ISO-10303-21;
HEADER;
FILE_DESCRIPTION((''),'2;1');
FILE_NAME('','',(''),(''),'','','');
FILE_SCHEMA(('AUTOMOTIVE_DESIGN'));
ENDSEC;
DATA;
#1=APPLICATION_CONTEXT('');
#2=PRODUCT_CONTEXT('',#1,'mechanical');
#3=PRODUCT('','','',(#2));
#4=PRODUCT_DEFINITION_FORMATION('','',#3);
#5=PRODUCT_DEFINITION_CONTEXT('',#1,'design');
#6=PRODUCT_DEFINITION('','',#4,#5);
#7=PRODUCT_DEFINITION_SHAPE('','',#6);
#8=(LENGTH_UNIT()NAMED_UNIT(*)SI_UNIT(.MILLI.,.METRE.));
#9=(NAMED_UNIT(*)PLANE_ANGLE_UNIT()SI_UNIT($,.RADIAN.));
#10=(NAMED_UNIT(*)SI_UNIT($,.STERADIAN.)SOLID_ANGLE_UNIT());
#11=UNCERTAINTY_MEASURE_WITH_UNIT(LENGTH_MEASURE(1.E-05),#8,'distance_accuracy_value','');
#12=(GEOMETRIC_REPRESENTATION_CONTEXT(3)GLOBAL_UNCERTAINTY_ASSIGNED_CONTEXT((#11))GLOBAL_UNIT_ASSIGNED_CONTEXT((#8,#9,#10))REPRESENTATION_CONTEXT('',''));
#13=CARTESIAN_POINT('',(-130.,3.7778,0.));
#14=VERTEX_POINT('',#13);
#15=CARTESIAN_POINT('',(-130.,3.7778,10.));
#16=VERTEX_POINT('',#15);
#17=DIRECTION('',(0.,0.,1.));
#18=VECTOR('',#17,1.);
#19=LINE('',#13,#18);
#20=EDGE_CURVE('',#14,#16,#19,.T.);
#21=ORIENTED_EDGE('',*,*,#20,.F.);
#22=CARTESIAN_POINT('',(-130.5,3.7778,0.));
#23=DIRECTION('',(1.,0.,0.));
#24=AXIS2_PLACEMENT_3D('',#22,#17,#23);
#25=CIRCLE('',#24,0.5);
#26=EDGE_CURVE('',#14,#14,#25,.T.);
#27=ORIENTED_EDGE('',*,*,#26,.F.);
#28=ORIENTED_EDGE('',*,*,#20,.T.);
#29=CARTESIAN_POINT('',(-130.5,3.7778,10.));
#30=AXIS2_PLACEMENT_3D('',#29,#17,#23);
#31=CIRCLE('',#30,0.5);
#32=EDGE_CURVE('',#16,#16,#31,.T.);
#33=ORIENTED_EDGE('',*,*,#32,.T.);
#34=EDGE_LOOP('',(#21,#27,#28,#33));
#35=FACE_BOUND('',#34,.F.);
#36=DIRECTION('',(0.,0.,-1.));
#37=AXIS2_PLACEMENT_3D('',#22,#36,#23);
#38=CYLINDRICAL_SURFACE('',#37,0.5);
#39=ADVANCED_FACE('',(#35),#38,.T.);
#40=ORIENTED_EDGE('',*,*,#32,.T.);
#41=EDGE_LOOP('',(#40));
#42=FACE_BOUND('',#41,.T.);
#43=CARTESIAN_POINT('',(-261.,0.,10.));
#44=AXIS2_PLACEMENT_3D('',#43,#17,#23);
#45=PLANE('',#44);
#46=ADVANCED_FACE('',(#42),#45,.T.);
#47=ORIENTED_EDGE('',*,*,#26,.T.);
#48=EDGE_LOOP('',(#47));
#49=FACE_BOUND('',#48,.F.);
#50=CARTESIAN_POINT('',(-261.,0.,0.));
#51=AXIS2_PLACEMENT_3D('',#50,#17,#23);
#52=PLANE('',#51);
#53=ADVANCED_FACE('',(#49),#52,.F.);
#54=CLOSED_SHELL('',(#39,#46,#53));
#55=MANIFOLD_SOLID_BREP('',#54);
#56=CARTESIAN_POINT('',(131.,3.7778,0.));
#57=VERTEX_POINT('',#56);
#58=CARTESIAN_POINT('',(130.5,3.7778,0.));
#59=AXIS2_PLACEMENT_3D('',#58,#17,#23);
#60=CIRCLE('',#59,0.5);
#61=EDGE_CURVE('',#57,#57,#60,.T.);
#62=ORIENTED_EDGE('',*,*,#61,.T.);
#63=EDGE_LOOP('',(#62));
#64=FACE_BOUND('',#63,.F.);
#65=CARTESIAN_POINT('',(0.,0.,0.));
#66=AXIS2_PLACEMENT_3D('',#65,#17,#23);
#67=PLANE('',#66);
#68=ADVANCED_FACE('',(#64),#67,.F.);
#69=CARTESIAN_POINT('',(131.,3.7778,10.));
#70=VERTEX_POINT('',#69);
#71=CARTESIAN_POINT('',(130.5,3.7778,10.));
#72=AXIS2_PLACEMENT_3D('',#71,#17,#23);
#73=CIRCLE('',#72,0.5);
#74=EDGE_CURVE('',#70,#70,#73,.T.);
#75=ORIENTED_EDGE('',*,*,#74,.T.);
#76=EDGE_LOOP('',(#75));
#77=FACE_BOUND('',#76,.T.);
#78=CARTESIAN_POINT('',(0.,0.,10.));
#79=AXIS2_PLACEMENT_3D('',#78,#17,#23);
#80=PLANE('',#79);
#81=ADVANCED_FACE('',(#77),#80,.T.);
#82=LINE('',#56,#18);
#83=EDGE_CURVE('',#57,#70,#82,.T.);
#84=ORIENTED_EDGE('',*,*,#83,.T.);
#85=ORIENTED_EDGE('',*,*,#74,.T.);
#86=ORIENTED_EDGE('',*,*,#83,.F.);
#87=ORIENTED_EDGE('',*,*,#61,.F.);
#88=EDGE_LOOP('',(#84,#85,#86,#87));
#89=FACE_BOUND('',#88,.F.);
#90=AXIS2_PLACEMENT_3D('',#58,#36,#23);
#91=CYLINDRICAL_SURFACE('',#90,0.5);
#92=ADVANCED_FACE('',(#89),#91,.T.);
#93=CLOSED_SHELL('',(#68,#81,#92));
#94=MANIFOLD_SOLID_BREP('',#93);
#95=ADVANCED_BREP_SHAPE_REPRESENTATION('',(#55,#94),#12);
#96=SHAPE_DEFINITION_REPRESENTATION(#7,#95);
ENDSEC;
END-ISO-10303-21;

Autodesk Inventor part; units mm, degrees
ref_plane "YZ Plane" through (0, 0, 0) normal (1, 0, 0) x (0, 1, 0)
ref_plane "XZ Plane" through (0, 0, 0) normal (0, 1, 0) x (-1, 0, 0)
ref_plane "XY Plane" through (0, 0, 0) normal (0, 0, 1) x (1, 0, 0)
sketch "Sketch1" plane through (0, 0, 0) normal (0, 0, 1) x (1, 0, 0)
  line L0 (-190.5, -10.9695) -> (190.5, -10.9695)
  line L1 (190.5, -10.9695) -> (190.5, 10.9695)
  line L2 (190.5, 10.9695) -> (-190.5, 10.9695)
  line L3 (-190.5, 10.9695) -> (-190.5, -10.9695)
  line L4 (-190.5, -10.9695) -> (190.5, 10.9695) construction
  line L5 (190.5, -10.9695) -> (-190.5, 10.9695) construction
  point P0 (0, 0)
  dimension "d0" = 381
  dimension "d1" = 21.939
sketch "Lamello" plane through (0, 0, 0) normal (0, 0, 1) x (1, 0, 0)
  line L0 (48.383, 141.1858) -> (42.783, 141.1858)
  line L1 (40.583, 139.6858) -> (40.583, 114.6858)
  line L2 (42.783, 113.1858) -> (48.383, 113.1858)
  line L3 (50.583, 114.6858) -> (50.583, 139.6858)
  line L4 (50.583, 139.6858) -> (48.383, 141.1858)
  line L5 (40.583, 139.6858) -> (42.783, 141.1858)
  line L6 (40.583, 114.6858) -> (42.783, 113.1858)
  line L7 (50.583, 114.6858) -> (48.383, 113.1858)
  line L8 (50.583, 127.1858) -> (40.583, 127.1858)
  line L9 (45.583, 141.1858) -> (45.583, 113.1858)
  point P0 (45.583, 127.1858)
  point P1 (50.583, 141.1858)
  point P2 (40.583, 113.1858)
  point P3 (40.583, 141.1858)
  point P4 (50.583, 113.1858)
  dimension "d54" = 10
  dimension "d55" = 28
  dimension "d56" = 1.5
  dimension "d57" = 2.2
  dimension "d58" = 1.5
  dimension "d59" = 2.2
  dimension "d60" = 1.5
  dimension "d61" = 2.2
  dimension "d62" = 1.5
  dimension "d63" = 2.2
sketch "Sketch2" plane through (0, 0, 0) normal (0, 0, 1) x (1, 0, 0)
  circle A0 centre (130.5, 3.7778) radius 0.5
  line L0 (190.5, 10.9695) -> (-190.5, 10.9695) projected
  line L1 (-190.5, -10.9695) -> (190.5, -10.9695) projected
  line L2 (0, -145.0303) -> (0, 106.9697) projected
  line L3 (190.5, -10.9695) -> (190.5, 10.9695) projected
  point P0 (0, 0)
  dimension "d4" = 1
  dimension "d50" = 7.1917
  dimension "d70" = 60
extrude "Extrusion1" add sketch "Sketch2" along normal blind 10 contours A0
pattern_linear "Clamex Array" count 2 spacing 261 along (-1, 0, 0) of "Extrusion1"
sketch "Edge-Side Connection" plane through (0, 0, 0) normal (1, 0, 0) x (0, 1, 0)
  line L0 (-50, 0) -> (50, 0)
  line L1 (50, 0) -> (50, 19)
  line L2 (50, 19) -> (-50, 19)
  line L3 (-50, 19) -> (-50, 0)
  line L4 (-10.9695, 0) -> (-34.0635, -40)
  line L5 (-34.0635, -40) -> (-12.1245, -40)
  line L6 (-12.1245, -40) -> (10.9695, 0)
  line L7 (-2.9208, -14) -> (-2.9208, 14) construction
  line L8 (10.9695, 0) -> (2.0792, 0)
  line L9 (-7.9208, -12.5) -> (-15.62, -8.0549)
  point P0 (0, 0)
  point P1 (10.9695, 0)
  point P2 (0, 0)
  dimension "d26" = 100
  dimension "d27" = 19
  dimension "d28" = 40
  dimension "OtherSideRefYCoordinate" = 8.0487
  dimension "ReferenceCoord" = 13.8903
  dimension "d49" = 120
sketch "Edge-Edge Connection" plane through (0, 0, 0) normal (1, 0, 0) x (0, 1, 0)
  line L0 (-109.0303, 19) -> (10.9697, 19)
  line L1 (10.9697, 19) -> (0, 0)
  line L2 (0, 0) -> (-109.0303, 0)
  line L3 (-109.0303, 0) -> (-109.0303, 19)
  line L4 (10.9697, 19) -> (70.9697, -84.923)
  line L5 (0, 0) -> (54.5152, -94.423)
  line L6 (54.5152, -94.423) -> (70.9697, -84.923)
  line L7 (1.0958, 1.8981) -> (0, 0)
  line L8 (-4.7295, 16.8083) -> (-4.7295, 19)
  point P0 (3.5958, 6.2282)
  dimension "d51" = 19
  dimension "d53" = 19
  dimension "EdgeEdgeReferenceCoord" = 7.1917
  dimension "d65" = 120
  dimension "d66" = 120
  dimension "d67" = 120
  dimension "EdgeEdgeOtherSideRefYCoordinate" = 14.7476
equation "\"d9\" = Step"
equation "\"d27\" = NestleBoardT"
equation "\"d0\" = ContactPatchWidth"
equation "\"d1\" = ContactPatchHeight"
equation "\"ContactPatchWidth\" = 381"
equation "\"ContactPatchHeight\" = 21.939"
equation "\"PlacingWidth\" = 261"
equation "\"MinDistBetween\" = 96"
equation "\"Step\" = 261"
equation "\"Y_Coord\" = 7.19169"
equation "\"NestleBoardT\" = 19"
equation "\"PillarBoardT\" = 19"
equation "\"AngleForYPositionCalc\" = 120deg"
equation "\"ConnectionAngle\" = 120deg"
equation "\"ShiftY\" = 0"
properties part number "Clamex Joint1900"
